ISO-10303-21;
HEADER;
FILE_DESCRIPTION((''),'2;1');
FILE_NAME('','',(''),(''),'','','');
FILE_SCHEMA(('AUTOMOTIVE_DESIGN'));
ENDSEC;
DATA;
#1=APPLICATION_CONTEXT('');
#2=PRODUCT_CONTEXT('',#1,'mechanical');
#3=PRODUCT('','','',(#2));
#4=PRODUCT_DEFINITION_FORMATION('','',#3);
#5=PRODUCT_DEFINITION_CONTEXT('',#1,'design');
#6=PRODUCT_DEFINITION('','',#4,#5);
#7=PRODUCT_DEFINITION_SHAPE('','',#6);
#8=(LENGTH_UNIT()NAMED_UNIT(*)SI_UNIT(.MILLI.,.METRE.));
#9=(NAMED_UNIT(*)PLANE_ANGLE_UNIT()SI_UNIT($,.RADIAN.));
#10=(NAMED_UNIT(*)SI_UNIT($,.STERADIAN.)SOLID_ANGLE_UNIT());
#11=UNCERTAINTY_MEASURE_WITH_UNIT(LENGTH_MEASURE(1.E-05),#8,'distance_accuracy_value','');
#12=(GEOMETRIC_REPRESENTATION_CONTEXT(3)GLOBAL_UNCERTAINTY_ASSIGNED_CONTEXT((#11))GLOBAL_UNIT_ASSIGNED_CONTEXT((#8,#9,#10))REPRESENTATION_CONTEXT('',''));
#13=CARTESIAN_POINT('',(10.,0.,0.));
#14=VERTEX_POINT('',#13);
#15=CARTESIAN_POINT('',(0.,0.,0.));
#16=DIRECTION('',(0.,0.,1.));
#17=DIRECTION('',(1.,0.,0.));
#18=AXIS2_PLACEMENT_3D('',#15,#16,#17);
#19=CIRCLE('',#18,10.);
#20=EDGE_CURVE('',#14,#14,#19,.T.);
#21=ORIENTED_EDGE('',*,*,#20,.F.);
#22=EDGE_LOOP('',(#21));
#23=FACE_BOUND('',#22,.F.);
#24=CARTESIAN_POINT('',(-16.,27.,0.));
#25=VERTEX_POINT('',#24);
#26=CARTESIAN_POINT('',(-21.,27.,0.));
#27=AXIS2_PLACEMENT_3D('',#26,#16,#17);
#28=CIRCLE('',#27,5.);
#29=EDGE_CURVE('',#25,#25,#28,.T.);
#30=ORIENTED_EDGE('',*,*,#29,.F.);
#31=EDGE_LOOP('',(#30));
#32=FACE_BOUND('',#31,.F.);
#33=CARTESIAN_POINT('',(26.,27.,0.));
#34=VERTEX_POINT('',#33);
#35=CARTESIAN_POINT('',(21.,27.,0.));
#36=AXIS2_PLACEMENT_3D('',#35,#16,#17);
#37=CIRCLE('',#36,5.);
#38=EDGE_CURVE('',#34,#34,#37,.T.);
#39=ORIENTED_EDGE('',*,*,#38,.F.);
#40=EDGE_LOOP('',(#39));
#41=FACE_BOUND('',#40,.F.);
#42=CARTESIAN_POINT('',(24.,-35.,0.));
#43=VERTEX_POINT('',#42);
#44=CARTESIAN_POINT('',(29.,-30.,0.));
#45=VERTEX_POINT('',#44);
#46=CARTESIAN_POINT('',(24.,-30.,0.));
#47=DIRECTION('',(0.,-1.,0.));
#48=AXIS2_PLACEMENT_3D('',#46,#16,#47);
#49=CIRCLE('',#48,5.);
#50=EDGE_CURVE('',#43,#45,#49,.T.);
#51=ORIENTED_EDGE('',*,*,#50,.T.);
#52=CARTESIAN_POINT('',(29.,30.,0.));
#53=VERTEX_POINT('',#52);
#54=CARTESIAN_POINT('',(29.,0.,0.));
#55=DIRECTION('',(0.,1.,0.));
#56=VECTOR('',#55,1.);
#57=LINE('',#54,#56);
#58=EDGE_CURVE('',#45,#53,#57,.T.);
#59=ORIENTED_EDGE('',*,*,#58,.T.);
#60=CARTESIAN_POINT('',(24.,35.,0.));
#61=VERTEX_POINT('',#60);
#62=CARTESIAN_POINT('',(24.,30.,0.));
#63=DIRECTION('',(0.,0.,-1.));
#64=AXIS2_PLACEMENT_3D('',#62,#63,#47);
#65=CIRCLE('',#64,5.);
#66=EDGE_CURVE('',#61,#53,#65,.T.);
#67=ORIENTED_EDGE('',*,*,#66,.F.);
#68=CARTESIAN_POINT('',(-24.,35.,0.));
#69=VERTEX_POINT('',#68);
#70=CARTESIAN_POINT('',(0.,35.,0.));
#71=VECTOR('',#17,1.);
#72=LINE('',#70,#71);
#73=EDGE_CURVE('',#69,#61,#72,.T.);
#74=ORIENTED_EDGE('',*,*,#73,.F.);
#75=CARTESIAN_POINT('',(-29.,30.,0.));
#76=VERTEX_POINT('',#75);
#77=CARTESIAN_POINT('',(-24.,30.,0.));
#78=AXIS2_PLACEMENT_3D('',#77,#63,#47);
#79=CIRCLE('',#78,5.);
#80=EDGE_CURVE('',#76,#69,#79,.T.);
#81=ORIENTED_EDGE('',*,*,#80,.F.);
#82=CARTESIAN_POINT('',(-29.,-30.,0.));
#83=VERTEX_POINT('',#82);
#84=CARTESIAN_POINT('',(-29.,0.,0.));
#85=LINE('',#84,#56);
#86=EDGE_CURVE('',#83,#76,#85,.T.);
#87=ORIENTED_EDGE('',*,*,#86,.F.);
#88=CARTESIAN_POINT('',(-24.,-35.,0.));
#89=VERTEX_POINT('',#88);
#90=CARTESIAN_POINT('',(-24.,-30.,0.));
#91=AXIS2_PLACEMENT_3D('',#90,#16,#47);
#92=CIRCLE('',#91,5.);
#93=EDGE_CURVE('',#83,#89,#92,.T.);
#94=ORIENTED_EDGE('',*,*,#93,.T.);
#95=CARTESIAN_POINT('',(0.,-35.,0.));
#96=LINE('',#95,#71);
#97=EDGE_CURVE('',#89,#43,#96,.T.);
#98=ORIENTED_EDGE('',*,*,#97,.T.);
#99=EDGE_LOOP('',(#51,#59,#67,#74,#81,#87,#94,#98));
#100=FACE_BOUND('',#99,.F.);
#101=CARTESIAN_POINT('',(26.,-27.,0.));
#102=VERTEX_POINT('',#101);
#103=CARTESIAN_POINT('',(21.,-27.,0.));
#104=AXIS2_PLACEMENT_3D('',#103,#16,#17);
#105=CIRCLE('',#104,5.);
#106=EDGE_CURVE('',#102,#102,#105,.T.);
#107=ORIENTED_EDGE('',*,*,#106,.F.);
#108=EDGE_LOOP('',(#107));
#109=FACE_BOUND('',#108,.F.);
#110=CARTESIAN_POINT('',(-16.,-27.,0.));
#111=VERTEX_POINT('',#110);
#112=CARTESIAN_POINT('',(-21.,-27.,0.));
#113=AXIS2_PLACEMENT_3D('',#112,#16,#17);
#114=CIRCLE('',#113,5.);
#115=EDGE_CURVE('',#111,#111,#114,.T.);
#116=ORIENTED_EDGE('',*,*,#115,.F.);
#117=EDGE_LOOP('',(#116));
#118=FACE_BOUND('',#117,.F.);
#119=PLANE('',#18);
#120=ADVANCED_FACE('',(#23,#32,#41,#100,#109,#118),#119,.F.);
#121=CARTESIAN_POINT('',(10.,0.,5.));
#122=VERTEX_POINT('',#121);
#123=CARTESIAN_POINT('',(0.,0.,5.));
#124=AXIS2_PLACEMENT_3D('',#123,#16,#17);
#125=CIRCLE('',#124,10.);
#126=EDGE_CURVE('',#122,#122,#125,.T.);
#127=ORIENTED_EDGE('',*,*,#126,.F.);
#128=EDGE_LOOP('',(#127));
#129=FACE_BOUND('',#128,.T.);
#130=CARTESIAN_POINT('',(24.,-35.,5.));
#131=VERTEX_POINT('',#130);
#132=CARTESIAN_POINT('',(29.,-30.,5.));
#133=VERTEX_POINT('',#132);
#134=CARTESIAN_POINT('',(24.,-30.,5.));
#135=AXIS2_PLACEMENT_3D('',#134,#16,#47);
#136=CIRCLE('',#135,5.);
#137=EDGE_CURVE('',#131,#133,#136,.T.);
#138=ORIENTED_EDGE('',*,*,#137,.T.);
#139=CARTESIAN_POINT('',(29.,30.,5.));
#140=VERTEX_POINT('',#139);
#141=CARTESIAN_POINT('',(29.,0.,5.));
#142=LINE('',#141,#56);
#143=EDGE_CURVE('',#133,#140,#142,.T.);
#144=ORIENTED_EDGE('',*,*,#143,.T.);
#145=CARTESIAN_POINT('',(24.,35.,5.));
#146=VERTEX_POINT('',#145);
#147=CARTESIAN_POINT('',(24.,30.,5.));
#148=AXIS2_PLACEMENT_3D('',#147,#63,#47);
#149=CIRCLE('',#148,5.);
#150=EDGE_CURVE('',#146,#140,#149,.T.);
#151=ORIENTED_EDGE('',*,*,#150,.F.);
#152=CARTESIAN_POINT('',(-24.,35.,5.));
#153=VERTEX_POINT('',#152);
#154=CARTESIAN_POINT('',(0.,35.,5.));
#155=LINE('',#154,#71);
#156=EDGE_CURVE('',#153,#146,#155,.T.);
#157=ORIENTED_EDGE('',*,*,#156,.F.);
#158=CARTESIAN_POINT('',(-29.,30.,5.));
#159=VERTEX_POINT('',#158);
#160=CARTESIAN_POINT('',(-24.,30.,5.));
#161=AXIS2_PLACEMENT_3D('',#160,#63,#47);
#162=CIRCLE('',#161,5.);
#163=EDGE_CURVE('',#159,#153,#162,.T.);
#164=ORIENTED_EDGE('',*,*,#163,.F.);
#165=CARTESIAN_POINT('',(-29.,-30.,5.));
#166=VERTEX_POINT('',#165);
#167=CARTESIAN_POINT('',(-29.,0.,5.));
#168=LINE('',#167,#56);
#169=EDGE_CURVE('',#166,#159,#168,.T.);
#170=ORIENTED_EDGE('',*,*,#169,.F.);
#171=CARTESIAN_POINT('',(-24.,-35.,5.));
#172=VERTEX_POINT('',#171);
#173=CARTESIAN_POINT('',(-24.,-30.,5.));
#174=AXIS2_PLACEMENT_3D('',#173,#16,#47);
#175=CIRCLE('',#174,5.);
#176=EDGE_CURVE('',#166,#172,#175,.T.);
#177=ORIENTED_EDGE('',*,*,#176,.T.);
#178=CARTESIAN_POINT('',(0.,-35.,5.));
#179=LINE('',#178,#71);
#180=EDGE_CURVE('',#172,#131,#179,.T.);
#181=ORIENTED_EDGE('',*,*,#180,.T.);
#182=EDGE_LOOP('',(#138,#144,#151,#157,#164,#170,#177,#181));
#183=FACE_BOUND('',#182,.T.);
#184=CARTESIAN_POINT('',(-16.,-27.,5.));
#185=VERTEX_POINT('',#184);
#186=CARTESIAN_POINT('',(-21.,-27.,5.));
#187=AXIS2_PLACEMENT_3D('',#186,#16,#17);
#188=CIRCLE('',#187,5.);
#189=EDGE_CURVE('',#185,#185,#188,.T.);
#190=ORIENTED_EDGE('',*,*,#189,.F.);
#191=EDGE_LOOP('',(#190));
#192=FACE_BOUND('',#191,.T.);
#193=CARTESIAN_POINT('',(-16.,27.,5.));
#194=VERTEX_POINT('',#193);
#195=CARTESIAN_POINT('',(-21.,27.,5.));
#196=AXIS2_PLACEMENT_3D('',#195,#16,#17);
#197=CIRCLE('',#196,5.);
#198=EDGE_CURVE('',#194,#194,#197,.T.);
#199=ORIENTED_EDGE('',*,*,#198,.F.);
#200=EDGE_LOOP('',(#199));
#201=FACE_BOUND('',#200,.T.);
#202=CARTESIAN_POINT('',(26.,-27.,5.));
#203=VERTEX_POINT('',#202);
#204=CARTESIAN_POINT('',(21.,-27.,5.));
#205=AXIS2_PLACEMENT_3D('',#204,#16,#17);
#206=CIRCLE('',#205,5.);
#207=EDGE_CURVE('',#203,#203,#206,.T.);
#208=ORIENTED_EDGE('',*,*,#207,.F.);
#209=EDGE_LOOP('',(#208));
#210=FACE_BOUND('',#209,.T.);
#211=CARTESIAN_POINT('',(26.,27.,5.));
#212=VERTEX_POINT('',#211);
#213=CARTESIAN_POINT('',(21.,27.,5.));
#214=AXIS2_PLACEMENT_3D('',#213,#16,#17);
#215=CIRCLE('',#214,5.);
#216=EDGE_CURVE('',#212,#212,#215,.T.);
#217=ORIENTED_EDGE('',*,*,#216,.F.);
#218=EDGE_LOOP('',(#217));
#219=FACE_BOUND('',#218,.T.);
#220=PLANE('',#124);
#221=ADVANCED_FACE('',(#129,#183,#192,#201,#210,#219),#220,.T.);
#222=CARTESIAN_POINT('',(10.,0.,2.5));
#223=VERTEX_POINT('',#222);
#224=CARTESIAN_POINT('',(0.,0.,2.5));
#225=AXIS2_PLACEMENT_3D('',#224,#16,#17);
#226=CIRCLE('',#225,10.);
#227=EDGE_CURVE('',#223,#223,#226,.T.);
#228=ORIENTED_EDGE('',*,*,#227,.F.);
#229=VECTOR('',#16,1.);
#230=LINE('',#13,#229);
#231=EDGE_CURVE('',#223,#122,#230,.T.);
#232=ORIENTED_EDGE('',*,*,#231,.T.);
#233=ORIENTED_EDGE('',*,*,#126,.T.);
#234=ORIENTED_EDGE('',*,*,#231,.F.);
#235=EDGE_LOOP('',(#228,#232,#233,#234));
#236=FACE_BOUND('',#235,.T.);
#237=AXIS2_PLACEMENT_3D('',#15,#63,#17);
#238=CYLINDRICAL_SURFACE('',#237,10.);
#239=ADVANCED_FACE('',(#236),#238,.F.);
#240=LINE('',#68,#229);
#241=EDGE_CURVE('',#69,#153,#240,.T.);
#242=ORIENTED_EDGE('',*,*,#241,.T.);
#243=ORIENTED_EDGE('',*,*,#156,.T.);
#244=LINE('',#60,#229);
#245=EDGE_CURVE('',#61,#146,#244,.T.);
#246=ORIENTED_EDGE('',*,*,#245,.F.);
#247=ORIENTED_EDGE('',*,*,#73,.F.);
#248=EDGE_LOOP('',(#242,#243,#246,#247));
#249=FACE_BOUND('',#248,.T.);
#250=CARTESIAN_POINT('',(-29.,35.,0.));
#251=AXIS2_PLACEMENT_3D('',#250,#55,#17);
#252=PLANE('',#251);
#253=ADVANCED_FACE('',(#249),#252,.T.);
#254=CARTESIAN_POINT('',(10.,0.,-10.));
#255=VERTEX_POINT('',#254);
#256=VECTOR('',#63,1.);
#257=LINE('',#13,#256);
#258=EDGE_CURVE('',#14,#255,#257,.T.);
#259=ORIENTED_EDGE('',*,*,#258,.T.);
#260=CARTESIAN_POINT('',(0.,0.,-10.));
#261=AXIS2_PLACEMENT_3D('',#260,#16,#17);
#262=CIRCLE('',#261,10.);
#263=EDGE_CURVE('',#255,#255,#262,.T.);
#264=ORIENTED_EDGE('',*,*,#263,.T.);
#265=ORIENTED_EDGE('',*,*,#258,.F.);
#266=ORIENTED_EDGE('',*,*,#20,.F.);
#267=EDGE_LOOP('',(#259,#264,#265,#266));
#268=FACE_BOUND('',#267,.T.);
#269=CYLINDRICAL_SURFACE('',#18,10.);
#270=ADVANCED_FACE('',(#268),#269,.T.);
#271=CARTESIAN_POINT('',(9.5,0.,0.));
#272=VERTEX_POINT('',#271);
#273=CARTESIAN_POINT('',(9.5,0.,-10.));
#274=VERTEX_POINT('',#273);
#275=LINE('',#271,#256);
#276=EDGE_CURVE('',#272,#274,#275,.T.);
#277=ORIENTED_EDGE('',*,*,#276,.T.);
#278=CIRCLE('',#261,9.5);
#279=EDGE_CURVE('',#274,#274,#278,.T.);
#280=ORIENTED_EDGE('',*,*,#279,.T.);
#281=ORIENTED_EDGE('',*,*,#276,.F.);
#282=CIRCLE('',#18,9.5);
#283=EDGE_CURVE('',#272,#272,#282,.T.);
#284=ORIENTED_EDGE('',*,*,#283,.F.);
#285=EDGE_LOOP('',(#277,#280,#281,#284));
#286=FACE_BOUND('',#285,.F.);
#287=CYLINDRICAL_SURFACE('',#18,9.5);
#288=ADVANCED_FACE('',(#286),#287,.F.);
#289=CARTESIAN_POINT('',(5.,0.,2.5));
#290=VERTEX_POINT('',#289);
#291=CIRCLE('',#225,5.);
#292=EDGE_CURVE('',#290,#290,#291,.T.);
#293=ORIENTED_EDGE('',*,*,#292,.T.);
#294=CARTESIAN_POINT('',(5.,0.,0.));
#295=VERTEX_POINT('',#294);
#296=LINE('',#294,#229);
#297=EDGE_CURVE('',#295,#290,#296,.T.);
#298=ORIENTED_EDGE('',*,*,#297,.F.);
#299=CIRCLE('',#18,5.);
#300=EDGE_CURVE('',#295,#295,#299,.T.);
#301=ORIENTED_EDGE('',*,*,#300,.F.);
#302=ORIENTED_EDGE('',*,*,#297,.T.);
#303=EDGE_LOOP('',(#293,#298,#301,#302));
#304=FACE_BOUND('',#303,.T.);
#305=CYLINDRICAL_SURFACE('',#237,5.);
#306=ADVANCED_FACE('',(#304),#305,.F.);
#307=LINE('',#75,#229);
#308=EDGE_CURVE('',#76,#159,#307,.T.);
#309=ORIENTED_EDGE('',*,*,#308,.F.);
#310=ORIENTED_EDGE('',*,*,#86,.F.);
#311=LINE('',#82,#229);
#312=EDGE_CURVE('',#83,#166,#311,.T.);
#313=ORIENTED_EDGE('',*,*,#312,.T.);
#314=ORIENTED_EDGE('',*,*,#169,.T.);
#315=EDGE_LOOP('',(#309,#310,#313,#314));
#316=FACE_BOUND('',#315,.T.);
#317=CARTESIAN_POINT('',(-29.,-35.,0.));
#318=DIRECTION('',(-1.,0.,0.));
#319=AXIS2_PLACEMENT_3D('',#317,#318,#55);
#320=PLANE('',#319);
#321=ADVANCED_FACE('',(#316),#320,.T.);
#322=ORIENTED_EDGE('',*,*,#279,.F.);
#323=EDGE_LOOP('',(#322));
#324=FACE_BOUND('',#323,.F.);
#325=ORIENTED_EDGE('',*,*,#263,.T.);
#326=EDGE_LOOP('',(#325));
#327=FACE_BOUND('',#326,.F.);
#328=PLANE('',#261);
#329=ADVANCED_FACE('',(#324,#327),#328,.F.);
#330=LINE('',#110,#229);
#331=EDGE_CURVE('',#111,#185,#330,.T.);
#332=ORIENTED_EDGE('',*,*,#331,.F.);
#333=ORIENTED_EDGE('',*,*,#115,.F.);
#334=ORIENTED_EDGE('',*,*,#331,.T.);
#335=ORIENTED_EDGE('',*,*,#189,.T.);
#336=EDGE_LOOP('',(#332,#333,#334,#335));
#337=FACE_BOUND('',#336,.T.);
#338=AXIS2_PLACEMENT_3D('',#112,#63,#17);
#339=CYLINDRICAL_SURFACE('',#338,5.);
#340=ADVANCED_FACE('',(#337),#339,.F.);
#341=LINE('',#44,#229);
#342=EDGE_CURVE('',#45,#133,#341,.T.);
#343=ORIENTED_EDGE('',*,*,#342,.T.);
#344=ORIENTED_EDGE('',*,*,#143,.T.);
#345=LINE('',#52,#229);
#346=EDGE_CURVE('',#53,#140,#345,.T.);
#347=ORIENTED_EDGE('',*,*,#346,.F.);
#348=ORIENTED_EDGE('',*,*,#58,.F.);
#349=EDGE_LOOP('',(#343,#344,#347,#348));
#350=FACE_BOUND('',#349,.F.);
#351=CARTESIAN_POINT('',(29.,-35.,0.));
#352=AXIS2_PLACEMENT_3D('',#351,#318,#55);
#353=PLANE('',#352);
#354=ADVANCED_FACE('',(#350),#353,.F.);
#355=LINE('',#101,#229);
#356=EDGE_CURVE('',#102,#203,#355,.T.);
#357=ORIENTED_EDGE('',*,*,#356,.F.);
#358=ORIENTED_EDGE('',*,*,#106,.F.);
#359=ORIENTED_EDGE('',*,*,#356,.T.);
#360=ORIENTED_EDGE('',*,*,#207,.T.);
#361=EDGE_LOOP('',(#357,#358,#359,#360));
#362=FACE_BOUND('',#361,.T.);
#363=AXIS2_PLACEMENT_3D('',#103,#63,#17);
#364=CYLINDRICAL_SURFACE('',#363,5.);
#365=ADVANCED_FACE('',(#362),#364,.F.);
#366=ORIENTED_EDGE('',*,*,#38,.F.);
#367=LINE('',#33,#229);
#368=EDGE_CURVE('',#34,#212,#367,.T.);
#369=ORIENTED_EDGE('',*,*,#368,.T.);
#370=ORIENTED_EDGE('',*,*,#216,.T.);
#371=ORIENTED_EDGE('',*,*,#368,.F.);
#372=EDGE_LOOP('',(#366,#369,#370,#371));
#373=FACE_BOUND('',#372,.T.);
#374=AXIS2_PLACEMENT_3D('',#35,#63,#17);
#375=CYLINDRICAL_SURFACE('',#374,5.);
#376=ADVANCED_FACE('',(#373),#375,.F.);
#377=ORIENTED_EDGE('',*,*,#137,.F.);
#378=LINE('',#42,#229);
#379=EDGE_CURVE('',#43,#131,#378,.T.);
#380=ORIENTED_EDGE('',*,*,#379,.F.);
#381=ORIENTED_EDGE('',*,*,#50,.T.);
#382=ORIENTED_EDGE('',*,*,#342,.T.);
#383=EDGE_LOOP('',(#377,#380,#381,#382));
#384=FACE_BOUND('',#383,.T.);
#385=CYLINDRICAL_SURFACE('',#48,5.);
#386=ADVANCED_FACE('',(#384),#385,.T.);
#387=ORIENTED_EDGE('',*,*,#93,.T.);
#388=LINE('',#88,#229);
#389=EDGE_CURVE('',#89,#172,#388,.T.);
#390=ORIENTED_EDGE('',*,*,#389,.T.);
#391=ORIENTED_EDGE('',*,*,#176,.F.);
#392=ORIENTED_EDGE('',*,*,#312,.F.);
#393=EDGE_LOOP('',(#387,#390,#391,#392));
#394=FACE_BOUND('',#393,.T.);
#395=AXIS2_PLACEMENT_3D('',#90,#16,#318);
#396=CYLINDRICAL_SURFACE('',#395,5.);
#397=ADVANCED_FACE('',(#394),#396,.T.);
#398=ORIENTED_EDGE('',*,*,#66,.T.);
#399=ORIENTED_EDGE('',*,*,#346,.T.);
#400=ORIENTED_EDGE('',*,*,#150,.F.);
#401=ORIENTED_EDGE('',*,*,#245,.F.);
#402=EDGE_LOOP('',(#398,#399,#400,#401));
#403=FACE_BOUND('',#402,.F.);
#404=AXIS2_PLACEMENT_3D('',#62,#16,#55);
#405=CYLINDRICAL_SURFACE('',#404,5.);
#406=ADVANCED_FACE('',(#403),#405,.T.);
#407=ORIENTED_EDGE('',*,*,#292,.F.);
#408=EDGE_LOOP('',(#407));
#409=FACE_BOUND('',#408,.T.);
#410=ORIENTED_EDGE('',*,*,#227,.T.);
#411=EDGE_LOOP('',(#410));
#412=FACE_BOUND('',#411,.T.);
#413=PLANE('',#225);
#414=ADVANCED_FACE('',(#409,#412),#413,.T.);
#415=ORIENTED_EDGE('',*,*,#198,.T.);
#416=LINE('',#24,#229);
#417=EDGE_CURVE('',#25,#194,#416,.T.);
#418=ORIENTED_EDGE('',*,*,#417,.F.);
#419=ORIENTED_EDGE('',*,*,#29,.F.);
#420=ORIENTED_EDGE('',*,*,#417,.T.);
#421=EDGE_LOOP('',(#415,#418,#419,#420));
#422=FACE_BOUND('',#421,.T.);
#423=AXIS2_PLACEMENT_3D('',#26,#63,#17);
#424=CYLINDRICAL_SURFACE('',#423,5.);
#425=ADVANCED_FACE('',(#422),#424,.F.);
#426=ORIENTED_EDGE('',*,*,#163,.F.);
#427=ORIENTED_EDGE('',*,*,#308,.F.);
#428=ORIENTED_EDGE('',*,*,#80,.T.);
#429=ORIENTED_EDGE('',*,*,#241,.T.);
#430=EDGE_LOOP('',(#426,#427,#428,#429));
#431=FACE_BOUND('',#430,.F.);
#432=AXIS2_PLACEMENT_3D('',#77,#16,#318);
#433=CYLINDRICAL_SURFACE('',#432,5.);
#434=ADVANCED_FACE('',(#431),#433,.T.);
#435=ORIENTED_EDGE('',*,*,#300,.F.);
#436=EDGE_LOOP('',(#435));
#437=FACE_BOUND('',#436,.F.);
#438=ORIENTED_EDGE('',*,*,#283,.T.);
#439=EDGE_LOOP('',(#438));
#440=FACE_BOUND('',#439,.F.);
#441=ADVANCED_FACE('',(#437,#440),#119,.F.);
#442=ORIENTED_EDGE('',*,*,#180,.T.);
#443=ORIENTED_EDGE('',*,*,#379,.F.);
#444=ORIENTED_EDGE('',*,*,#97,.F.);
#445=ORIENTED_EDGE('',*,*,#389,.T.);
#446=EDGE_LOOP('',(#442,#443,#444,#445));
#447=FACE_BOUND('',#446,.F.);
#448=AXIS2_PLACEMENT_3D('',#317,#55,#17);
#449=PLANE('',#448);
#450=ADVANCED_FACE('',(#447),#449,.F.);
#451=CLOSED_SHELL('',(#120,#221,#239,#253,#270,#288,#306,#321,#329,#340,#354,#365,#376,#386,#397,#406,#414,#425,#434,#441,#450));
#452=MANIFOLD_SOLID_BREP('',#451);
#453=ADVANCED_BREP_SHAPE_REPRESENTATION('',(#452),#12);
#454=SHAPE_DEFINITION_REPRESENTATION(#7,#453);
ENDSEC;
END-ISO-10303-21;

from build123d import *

# Parameters (mm, degrees)
F0_W     = 58
F0_H     = 70
F0_R     = 5
F0_R_2   = 10
F1_DEPTH = 5
F0_R_3   = 9.5
F2_DEPTH = 2.5
F3_DEPTH = 10
F4_R     = 5


with BuildPart() as f1:
    # F0 (on Top) → F1 (new body)
    with BuildSketch(Plane.XY):
        Rectangle(F0_W, F0_H)
        with Locations((-21, -27)):
            Circle(F0_R, mode=Mode.SUBTRACT)
        with Locations((21, -27)):
            Circle(F0_R, mode=Mode.SUBTRACT)
        with Locations((-21, 27)):
            Circle(F0_R, mode=Mode.SUBTRACT)
        Circle(F0_R_2, mode=Mode.SUBTRACT)
        with Locations((21, 27)):
            Circle(F0_R, mode=Mode.SUBTRACT)
    extrude(amount=F1_DEPTH)

    # F0 (on Top) → F2 (join)
    with BuildSketch(Plane.XY):
        Circle(F0_R_2)
        Circle(F0_R_3, mode=Mode.SUBTRACT)
        Circle(F0_R_3)
        Circle(F0_R, mode=Mode.SUBTRACT)
    extrude(amount=F2_DEPTH)

    # F0 (on Top) → F3 (join)
    with BuildSketch(Plane.XY):
        Circle(F0_R_2)
        Circle(F0_R_3, mode=Mode.SUBTRACT)
    extrude(amount=-F3_DEPTH)

    # F4
    f4_edges = [f1.edges().sort_by_distance(p)[0] for p in [
        (-29, -35, 2.5),
        (29, -35, 2.5),
        (29, 35, 2.5),
        (-29, 35, 2.5),
    ]]
    fillet(f4_edges, radius=F4_R)


solid = f1.part
